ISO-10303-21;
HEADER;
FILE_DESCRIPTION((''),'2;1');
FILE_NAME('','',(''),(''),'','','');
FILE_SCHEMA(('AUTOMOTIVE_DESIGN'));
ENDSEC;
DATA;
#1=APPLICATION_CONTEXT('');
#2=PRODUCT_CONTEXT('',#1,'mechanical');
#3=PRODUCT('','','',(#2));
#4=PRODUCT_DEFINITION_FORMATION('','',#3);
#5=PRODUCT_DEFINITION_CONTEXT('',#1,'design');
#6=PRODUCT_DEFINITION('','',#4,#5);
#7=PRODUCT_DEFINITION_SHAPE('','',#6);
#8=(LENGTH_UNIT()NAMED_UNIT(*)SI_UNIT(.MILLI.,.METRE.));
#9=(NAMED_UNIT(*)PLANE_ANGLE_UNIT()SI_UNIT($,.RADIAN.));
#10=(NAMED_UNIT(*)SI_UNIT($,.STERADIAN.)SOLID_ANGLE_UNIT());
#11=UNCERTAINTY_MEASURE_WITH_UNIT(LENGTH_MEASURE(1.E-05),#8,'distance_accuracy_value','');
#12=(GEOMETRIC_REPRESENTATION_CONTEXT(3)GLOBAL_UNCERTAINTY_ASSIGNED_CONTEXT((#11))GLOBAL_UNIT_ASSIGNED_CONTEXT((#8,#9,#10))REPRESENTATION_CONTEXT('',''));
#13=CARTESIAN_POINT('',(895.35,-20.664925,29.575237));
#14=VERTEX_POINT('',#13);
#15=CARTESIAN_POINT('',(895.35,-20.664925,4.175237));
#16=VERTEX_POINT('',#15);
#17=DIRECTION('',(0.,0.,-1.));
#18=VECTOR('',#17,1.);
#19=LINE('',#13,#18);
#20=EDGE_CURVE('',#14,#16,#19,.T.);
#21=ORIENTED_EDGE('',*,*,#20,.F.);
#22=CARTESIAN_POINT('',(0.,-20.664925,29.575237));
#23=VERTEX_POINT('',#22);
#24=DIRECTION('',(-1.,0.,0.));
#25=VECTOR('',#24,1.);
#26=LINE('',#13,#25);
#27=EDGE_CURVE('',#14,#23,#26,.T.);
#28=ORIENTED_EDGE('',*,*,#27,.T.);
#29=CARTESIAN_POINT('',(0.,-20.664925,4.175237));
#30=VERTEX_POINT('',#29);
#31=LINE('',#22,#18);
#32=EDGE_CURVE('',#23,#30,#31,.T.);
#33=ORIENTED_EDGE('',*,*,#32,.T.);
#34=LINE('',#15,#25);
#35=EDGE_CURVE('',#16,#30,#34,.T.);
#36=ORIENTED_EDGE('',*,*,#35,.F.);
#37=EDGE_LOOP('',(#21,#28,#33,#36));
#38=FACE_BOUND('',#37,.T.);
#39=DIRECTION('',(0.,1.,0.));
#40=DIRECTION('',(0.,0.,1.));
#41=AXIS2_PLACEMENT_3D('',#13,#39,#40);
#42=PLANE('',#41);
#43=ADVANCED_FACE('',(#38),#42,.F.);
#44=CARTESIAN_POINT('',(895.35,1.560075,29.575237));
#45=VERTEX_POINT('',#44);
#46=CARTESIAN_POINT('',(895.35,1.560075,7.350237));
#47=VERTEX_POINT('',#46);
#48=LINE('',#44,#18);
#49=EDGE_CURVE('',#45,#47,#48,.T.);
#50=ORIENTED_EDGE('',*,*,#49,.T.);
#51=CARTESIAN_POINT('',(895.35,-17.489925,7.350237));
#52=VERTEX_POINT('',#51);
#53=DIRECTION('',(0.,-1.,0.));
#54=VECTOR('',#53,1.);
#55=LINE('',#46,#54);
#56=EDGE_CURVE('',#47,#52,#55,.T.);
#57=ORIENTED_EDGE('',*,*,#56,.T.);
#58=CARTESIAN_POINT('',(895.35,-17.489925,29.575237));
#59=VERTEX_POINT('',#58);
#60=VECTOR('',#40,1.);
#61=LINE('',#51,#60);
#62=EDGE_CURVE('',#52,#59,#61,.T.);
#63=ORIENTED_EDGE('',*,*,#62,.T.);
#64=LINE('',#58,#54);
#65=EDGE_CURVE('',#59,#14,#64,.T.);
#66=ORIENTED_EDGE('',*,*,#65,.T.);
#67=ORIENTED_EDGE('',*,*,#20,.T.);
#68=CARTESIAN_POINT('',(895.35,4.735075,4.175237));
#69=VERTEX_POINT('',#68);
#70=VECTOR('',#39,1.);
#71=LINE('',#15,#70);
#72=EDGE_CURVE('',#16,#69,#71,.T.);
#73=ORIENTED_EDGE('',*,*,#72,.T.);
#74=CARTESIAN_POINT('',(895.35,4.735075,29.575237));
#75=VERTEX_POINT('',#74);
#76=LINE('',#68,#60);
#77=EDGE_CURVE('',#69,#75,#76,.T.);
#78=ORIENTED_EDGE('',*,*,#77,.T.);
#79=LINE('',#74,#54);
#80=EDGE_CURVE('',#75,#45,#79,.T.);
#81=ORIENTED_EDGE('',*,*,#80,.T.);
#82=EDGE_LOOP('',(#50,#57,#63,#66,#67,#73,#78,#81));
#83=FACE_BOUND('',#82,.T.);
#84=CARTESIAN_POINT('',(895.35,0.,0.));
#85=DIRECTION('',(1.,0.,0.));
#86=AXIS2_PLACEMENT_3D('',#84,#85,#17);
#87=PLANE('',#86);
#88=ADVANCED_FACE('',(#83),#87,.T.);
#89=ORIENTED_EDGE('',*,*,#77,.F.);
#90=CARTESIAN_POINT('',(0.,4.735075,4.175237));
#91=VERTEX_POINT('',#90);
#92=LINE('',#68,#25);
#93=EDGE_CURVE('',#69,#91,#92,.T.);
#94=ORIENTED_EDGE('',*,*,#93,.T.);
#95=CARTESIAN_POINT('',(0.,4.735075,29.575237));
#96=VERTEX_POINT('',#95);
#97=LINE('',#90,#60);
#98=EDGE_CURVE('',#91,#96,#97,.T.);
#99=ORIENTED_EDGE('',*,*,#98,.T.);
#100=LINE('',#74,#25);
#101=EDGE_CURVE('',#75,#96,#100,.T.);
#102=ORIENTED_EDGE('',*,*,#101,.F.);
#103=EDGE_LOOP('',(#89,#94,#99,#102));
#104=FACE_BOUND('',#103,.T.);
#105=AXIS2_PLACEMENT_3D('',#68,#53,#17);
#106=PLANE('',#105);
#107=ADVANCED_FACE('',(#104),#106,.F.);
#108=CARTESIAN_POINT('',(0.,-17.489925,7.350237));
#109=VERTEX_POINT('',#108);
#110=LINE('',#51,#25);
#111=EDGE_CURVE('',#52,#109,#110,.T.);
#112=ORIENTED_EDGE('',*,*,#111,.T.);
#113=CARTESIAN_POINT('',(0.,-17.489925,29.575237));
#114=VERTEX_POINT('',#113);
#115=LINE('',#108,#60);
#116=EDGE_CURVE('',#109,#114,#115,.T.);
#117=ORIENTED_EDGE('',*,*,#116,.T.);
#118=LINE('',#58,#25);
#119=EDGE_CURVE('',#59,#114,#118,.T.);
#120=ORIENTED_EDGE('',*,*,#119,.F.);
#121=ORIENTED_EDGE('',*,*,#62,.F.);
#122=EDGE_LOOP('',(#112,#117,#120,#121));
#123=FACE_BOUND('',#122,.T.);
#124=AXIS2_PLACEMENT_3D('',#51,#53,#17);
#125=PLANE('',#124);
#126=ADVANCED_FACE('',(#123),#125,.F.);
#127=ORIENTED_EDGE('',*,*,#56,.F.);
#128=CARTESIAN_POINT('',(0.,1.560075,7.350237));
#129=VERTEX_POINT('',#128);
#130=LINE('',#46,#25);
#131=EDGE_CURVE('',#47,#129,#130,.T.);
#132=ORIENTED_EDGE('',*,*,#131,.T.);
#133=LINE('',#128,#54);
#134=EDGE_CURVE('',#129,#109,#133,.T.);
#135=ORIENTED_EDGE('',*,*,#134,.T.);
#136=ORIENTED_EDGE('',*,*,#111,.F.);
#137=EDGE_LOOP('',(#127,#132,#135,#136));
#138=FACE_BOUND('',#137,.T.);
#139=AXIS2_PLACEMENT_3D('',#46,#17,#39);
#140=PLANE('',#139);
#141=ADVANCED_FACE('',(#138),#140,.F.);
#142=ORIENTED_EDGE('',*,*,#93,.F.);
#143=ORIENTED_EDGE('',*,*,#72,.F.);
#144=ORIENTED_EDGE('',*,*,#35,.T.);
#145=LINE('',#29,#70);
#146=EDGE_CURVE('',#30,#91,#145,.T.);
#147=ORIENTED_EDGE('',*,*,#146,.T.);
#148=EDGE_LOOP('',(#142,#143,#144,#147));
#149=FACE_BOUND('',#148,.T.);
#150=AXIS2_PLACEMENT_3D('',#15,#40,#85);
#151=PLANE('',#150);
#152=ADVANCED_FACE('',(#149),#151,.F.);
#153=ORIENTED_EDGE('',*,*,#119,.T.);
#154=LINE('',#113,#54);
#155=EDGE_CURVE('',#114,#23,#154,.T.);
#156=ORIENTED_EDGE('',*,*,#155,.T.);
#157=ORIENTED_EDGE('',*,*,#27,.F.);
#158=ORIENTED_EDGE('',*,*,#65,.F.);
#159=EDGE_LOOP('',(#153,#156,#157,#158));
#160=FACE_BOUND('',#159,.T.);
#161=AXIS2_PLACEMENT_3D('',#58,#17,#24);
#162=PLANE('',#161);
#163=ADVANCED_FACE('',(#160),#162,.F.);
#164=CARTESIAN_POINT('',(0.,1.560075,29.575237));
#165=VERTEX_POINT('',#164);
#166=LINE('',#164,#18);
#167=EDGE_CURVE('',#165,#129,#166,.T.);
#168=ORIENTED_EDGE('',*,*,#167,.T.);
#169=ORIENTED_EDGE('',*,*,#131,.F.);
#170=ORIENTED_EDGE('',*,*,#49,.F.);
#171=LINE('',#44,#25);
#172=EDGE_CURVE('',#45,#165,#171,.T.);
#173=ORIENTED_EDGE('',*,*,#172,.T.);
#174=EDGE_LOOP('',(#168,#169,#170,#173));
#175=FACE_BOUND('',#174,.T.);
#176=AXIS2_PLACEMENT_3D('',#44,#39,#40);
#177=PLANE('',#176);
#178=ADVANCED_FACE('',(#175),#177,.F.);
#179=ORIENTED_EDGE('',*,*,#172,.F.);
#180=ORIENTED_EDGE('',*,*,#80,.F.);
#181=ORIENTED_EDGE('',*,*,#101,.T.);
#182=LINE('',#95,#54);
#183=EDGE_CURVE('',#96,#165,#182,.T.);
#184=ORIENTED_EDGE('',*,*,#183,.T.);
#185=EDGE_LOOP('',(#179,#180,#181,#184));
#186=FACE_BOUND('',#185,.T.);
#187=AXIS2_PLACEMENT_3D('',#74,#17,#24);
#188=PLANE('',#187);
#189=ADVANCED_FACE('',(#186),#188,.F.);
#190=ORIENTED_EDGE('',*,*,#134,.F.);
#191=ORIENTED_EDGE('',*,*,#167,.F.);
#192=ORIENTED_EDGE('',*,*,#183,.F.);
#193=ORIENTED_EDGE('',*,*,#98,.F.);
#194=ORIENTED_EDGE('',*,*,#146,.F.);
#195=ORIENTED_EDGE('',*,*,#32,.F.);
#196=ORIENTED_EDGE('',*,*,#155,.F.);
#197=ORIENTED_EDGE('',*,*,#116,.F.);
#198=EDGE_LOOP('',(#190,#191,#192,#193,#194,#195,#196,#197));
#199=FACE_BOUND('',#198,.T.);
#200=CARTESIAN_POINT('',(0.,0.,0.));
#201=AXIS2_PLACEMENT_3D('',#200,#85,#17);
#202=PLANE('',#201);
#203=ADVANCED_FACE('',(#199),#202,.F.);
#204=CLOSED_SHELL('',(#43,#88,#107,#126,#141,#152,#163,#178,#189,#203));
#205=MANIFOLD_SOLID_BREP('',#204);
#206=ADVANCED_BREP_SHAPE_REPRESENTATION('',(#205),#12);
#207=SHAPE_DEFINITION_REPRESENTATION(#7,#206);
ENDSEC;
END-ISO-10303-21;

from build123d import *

# Parameters (mm, degrees)
BOSS_EXTRUDE2_DEPTH = 895.35


with BuildPart() as part:
    # Sketch1 → Boss-Extrude2 (new body)
    with BuildSketch(Plane(origin=(0, 0, 0), x_dir=(0, 0, -1), z_dir=(1, 0, 0))):
        Polygon((-29.575237151, 4.735075492), (-29.575237151, 1.560075492), (-7.350237151, 1.560075492), (-7.350237151, -17.489924508), (-29.575237151, -17.489924508), (-29.575237151, -20.664924508), (-4.175237151, -20.664924508), (-4.175237151, 4.735075492), align=None)
    extrude(amount=BOSS_EXTRUDE2_DEPTH)


solid = part.part
